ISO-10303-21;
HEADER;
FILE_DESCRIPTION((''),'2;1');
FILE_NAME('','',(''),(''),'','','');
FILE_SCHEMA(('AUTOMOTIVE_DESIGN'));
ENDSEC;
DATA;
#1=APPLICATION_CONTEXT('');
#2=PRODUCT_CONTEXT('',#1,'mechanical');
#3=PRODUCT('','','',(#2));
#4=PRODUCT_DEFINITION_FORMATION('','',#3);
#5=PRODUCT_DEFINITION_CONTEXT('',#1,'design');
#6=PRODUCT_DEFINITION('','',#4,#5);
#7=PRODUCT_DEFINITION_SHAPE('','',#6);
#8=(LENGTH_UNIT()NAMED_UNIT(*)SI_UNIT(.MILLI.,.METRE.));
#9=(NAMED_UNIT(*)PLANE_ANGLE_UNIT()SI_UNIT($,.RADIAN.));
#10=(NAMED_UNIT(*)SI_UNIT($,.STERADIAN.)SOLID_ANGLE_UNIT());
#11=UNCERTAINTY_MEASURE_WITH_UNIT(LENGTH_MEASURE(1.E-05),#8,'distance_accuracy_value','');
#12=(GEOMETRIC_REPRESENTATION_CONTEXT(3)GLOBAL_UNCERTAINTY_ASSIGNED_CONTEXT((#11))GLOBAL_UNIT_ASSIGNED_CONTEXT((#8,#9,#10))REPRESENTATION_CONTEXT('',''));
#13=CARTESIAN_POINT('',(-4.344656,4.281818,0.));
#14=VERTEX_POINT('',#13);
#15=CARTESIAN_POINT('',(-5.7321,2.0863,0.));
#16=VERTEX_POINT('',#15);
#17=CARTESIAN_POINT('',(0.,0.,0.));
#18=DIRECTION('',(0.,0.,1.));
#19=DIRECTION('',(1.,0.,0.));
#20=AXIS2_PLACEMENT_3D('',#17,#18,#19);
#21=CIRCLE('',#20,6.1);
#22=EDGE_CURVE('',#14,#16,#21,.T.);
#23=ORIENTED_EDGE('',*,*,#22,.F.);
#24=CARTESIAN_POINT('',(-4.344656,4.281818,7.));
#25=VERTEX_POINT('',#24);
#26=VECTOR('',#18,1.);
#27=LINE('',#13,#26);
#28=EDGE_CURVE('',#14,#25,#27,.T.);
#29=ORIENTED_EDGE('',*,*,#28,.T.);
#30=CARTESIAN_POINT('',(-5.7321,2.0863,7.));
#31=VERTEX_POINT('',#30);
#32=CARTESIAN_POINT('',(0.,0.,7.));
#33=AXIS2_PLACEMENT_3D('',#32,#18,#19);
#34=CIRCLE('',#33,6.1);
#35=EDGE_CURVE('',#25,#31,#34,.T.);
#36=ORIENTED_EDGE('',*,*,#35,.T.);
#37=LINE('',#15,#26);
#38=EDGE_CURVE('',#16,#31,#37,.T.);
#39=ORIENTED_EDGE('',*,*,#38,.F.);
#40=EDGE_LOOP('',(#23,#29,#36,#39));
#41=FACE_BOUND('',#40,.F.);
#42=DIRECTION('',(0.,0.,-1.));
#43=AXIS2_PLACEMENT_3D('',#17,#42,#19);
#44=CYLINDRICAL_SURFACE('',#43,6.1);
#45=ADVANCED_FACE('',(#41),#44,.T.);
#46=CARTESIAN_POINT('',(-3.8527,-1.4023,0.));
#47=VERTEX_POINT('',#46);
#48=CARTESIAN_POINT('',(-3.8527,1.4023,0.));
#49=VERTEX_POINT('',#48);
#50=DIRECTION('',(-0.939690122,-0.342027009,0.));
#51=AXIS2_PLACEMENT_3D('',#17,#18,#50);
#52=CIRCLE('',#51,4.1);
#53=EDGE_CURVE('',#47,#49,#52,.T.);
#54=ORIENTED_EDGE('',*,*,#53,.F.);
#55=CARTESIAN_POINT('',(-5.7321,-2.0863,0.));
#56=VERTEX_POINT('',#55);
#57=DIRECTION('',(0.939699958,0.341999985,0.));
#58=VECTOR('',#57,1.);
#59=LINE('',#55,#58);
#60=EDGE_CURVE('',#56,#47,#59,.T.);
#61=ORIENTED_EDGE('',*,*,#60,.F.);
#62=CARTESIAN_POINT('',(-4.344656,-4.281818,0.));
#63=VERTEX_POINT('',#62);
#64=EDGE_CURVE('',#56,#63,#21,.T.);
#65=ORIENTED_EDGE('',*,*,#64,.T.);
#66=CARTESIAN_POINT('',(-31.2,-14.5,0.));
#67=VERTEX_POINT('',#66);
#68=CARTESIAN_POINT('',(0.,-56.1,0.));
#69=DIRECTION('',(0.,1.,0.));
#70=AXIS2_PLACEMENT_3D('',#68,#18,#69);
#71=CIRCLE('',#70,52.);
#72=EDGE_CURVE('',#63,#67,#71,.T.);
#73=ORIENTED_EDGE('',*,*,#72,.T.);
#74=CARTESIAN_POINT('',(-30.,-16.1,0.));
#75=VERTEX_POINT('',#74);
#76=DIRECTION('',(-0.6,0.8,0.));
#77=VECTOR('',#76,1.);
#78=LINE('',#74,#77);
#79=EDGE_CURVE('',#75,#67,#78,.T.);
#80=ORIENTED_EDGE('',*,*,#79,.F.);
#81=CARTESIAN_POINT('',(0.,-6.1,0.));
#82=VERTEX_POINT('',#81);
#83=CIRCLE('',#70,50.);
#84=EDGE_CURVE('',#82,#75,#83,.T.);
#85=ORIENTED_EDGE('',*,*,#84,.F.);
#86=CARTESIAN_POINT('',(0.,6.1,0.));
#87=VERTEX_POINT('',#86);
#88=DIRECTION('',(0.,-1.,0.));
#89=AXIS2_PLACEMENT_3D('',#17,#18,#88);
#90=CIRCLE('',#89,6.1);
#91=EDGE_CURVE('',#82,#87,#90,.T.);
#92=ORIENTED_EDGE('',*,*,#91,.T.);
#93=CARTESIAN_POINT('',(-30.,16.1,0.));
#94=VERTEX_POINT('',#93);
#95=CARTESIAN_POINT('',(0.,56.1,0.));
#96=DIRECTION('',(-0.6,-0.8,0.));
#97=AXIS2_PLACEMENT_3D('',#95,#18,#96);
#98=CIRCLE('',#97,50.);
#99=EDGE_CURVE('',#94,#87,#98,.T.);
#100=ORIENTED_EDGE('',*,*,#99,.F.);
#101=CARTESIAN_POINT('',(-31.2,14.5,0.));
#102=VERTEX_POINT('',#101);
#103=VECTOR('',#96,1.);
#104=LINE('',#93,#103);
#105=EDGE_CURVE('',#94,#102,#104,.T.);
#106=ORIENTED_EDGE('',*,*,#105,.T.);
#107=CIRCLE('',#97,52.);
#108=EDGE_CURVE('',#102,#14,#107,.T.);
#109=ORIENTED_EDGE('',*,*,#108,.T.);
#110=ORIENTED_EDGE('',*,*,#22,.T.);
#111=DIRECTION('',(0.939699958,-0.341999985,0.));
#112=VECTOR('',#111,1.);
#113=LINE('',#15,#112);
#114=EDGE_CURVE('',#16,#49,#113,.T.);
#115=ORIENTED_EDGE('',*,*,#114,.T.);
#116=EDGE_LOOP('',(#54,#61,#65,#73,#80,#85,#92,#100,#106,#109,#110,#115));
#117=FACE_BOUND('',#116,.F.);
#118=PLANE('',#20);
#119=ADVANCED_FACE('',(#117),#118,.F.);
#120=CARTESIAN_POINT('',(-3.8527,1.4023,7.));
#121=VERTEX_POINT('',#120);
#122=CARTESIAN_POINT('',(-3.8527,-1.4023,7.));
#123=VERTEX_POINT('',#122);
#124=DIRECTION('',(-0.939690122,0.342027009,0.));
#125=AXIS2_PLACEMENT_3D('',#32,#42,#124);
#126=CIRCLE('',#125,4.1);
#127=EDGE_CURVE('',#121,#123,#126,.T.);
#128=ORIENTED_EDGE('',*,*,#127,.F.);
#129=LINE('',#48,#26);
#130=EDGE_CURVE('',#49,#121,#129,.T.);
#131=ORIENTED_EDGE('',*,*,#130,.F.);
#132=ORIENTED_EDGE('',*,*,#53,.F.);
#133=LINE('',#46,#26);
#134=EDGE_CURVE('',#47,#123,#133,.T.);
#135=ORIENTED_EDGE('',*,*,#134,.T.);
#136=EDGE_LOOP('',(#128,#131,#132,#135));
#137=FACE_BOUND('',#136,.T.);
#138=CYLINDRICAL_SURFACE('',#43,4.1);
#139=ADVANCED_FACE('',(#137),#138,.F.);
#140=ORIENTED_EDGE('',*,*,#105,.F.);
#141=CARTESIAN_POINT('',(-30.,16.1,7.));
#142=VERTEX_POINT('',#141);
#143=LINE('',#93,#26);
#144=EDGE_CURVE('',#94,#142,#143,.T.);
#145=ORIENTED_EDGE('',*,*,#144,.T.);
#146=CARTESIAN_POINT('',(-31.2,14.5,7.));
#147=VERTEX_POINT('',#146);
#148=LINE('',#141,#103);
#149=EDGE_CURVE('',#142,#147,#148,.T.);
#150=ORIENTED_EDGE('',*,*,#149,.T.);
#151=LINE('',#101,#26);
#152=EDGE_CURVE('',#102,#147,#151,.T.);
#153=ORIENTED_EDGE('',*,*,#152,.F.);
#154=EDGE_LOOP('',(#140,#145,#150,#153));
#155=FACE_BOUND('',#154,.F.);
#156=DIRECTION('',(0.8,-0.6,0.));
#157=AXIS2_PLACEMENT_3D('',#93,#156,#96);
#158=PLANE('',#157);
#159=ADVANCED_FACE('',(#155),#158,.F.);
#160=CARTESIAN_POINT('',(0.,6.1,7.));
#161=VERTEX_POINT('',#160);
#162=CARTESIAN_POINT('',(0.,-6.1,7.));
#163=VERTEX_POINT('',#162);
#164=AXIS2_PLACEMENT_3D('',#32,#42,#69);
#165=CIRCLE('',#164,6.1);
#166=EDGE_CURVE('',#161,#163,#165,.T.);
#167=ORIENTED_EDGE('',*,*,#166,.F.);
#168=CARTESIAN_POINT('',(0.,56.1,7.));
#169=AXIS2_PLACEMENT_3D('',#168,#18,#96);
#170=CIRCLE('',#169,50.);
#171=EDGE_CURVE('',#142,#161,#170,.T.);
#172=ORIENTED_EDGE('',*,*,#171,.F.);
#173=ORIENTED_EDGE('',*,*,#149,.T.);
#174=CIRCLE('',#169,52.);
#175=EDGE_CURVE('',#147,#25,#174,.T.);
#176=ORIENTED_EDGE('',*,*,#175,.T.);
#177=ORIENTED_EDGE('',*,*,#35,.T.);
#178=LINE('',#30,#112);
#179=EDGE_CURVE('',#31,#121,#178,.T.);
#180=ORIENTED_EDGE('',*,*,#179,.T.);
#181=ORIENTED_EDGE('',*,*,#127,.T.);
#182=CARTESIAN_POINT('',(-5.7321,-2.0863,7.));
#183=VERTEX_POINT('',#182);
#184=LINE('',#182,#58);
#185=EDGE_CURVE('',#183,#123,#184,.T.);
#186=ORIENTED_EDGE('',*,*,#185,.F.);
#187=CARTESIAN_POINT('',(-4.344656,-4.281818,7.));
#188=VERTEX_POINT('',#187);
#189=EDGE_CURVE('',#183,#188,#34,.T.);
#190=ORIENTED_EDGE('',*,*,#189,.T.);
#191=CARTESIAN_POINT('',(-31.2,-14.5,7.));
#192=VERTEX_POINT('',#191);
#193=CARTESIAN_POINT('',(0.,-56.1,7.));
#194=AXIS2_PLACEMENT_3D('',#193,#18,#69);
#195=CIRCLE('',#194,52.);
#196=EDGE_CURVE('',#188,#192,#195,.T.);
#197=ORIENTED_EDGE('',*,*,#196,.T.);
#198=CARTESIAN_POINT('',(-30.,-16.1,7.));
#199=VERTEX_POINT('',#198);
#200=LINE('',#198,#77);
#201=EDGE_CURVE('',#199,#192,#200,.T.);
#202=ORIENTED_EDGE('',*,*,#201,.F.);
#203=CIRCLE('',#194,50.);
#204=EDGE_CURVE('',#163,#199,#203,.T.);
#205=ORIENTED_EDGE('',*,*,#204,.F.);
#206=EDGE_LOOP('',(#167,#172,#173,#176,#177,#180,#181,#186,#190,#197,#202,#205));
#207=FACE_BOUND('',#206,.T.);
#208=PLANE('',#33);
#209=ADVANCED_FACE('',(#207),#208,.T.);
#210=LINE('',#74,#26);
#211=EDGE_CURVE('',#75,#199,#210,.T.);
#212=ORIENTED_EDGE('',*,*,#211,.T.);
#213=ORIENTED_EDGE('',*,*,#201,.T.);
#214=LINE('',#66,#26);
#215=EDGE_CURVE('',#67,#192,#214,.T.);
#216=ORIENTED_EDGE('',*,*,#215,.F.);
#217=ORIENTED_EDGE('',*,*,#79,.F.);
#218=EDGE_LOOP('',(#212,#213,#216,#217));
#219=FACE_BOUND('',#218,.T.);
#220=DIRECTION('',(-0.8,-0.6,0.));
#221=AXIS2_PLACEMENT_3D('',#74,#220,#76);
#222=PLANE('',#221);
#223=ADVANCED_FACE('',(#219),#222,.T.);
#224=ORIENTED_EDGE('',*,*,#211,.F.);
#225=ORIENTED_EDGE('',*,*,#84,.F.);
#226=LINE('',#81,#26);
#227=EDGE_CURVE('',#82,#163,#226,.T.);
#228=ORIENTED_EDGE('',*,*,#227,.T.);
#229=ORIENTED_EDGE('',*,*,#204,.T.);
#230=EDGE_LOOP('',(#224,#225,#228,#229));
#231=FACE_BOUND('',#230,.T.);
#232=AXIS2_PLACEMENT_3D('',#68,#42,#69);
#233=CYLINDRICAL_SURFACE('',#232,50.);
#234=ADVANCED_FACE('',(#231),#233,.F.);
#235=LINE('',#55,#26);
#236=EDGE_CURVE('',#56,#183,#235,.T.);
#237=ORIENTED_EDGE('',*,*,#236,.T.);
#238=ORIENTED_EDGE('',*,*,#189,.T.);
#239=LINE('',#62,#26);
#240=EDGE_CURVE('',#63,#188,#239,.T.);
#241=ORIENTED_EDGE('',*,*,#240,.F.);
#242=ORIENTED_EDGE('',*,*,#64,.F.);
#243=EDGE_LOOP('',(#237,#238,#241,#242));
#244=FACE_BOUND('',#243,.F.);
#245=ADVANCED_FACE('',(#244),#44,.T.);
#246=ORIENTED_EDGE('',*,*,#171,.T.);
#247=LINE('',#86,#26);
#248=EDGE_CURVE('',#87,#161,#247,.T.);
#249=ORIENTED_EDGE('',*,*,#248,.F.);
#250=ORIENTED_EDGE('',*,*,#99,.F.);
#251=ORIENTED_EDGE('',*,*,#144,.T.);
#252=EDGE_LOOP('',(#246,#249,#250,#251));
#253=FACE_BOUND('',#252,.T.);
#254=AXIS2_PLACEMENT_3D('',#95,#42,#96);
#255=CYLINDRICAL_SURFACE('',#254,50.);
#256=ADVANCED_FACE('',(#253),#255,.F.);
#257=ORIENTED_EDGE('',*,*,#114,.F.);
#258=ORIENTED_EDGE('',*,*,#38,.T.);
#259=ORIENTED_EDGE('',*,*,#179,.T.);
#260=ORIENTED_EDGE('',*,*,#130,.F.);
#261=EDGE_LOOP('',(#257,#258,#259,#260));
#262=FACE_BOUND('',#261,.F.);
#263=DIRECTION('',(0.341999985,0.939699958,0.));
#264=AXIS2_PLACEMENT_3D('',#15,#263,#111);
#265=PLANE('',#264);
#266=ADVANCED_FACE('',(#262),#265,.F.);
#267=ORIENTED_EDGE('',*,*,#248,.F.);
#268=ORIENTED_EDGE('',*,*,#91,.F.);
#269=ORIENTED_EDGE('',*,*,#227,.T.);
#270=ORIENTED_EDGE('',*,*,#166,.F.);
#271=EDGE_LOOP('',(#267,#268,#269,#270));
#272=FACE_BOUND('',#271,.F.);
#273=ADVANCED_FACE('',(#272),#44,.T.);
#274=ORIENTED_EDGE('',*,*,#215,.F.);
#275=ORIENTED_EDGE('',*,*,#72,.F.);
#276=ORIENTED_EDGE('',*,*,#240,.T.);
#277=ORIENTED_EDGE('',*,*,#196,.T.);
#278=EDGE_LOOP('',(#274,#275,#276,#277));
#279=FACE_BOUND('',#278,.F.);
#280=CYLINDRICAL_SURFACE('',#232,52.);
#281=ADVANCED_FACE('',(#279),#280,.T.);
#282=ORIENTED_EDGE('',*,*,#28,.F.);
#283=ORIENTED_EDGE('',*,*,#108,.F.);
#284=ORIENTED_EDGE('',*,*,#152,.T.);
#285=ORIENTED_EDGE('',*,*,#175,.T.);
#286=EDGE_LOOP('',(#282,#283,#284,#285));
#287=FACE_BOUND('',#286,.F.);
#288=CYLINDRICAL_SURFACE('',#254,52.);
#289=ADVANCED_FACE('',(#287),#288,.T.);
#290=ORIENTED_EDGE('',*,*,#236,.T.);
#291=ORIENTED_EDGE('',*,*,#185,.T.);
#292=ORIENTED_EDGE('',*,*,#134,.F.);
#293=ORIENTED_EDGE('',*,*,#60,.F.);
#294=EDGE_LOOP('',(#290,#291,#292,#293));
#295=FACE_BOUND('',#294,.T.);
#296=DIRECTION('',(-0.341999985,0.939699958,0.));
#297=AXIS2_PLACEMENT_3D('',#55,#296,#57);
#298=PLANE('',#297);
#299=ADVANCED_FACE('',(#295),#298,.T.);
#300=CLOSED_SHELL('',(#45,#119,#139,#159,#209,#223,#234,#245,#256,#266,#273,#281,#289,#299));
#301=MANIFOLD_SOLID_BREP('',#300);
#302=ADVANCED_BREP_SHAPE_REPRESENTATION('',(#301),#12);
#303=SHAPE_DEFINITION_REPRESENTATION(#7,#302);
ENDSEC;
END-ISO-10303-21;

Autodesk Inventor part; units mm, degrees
ref_plane "YZ Plane" through (0, 0, 0) normal (1, 0, 0) x (0, 1, 0)
ref_plane "XZ Plane" through (0, 0, 0) normal (0, 1, 0) x (-1, 0, 0)
ref_plane "XY Plane" through (0, 0, 0) normal (0, 0, 1) x (1, 0, 0)
sketch "Sketch1" plane through (0, 0, 0) normal (0, 0, 1) x (1, 0, 0)
  circle A0 centre (0, 0) radius 4.1
  circle A1 centre (0, 0) radius 6.1
  arc A2 (-30, 16.1) -> (0, 6.1) centre (0, 56.1) ccw
  line L0 (0, -78.54) -> (0, 78.54) projected
  arc A3 (-31.2, 14.5) -> (0, 4.1) centre (0, 56.1) ccw
  line L1 (-30, 16.1) -> (-31.2, 14.5)
  line L2 (-39.6726, 0) -> (13.7288, 0) projected
  arc A4 (0, -6.1) -> (-30, -16.1) centre (0, -56.1) ccw
  arc A5 (0, -4.1) -> (-31.2, -14.5) centre (0, -56.1) ccw
  line L3 (-30, -16.1) -> (-31.2, -14.5)
  line L4 (-5.7321, 2.0863) -> (-3.8527, 1.4023)
  line L5 (-5.7321, -2.0863) -> (-3.8527, -1.4023)
  point P0 (0, 4.1)
  point P1 (0, -4.1)
  point P2 (0, -6.1)
  point P3 (-3.8527, -1.4023)
  point P4 (-4.3447, -4.2818)
  point P5 (-4.3447, 4.2818)
  dimension "d0" = 8.2
  dimension "d1" = 2
  dimension "d3" = 50
  dimension "d4" = 30
  dimension "d7" = 20
extrude "Extrusion1" add sketch "Sketch1" along normal blind 7 contours L2 A1 L0 A0 | A0 L0 A1 L2 | A3 A1 L0 | A0 L4 A1 A3 | A5 A1 L5 A0 | L0 A1 A5 | A1 A3 L1 A2 | A4 L3 A5 A1
properties part number "8mmClamp"
